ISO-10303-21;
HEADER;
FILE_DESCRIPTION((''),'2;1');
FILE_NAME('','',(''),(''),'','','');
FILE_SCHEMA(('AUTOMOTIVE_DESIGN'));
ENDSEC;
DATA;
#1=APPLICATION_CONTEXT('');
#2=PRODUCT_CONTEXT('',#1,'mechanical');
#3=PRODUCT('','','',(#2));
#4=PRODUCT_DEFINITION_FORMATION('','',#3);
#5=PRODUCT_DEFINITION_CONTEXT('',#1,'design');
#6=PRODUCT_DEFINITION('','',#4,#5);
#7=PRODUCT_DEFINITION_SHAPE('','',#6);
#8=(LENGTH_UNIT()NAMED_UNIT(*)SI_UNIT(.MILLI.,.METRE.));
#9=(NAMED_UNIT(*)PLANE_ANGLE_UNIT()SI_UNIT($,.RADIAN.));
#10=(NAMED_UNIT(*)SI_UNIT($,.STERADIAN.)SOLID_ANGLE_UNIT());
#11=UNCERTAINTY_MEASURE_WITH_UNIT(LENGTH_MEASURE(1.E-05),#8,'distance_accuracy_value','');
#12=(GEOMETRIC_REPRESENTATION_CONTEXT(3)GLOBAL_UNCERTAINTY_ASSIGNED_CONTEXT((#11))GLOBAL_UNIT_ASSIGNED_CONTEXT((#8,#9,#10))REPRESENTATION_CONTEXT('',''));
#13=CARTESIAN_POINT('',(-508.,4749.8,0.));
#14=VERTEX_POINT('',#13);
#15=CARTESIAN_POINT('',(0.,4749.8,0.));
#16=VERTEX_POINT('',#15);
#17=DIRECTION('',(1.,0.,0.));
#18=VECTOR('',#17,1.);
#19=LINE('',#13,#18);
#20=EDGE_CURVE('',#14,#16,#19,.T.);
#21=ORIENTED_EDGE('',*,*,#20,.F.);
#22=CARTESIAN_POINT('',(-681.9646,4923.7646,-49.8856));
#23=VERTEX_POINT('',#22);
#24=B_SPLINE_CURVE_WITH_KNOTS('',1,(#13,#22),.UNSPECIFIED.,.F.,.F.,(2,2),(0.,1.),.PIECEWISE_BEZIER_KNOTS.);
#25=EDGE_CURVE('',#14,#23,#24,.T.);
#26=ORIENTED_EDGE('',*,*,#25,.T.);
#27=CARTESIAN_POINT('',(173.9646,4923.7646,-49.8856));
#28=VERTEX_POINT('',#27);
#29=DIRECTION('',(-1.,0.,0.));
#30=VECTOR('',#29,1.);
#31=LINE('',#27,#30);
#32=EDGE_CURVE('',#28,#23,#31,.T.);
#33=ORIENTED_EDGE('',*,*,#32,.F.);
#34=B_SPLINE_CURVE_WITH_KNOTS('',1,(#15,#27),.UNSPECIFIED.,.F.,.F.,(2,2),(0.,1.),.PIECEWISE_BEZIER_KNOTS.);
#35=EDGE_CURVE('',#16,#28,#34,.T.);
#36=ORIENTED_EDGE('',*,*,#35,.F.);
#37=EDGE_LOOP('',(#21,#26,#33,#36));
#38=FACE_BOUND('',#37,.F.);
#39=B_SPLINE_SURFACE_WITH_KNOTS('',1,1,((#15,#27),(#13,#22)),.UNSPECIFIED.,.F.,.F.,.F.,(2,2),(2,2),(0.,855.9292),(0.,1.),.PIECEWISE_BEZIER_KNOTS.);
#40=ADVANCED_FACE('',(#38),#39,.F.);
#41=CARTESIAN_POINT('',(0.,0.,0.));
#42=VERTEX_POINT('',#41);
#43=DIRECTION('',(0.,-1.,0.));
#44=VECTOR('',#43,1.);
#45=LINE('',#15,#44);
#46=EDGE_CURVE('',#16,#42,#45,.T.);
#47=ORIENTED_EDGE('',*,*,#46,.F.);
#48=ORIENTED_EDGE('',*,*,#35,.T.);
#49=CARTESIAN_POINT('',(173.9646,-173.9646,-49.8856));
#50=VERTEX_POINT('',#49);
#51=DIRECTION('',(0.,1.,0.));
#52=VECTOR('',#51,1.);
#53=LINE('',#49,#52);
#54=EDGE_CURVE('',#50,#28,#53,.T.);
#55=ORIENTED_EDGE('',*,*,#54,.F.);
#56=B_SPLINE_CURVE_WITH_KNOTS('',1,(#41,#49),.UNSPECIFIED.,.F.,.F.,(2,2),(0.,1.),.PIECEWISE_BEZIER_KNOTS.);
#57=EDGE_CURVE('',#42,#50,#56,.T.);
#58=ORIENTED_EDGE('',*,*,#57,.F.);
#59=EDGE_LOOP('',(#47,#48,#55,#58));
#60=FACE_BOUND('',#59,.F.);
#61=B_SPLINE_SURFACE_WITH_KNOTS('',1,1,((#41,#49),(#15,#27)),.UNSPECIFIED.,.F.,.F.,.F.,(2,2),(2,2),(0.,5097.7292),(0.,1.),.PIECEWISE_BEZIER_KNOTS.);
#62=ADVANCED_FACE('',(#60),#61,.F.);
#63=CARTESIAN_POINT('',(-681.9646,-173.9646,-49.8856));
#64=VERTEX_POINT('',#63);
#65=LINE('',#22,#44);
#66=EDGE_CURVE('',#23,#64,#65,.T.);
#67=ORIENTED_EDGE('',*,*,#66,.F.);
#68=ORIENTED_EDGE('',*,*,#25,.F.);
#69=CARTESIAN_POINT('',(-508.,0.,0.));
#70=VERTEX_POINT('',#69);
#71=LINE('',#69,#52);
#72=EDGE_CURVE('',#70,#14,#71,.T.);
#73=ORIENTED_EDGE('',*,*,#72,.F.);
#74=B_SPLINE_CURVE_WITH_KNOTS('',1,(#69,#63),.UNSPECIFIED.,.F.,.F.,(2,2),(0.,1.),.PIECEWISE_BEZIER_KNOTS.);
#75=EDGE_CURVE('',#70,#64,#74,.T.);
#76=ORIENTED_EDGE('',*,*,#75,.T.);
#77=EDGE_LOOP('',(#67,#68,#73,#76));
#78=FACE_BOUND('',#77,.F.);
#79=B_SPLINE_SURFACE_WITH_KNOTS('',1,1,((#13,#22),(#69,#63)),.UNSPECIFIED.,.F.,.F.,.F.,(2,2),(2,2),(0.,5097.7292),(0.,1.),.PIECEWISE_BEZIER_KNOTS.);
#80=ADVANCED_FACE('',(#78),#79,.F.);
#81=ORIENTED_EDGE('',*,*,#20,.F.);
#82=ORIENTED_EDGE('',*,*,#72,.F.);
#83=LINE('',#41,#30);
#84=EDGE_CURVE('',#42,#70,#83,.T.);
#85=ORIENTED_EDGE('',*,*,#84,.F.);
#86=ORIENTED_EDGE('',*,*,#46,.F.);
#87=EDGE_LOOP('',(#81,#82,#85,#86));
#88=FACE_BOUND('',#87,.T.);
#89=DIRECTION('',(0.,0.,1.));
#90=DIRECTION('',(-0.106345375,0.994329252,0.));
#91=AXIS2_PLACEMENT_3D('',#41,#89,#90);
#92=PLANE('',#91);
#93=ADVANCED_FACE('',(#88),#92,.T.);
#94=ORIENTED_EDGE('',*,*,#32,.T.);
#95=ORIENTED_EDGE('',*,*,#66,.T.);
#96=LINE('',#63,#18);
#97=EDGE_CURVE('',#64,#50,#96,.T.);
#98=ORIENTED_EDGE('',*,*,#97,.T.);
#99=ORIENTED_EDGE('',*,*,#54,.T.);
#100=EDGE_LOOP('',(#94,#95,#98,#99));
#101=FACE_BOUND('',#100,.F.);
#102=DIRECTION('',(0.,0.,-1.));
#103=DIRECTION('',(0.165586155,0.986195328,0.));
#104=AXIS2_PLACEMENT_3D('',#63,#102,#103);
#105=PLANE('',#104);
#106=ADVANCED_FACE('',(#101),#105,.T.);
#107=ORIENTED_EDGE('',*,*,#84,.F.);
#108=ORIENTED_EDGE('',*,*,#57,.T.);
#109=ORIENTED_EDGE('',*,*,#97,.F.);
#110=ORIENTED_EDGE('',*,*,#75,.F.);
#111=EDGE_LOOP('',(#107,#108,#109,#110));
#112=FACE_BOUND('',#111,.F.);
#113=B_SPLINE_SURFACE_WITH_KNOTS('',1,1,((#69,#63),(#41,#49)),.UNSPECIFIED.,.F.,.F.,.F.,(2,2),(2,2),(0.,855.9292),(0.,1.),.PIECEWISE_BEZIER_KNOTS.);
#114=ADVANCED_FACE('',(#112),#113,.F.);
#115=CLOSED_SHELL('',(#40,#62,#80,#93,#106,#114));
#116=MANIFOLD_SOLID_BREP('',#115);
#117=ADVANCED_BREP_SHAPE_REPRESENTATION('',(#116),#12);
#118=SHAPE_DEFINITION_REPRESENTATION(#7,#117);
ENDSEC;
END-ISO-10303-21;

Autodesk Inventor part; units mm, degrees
ref_plane "YZ Plane" through (0, 0, 0) normal (1, 0, 0) x (0, 1, 0)
sketch "Sketch1" plane through (0, 0, 0) normal (0, 0, 1) x (1, 0, 0)
  line L0 (0, 0) -> (-508, 0)
  line L1 (-508, 0) -> (-508, 4749.8)
  line L2 (-508, 4749.8) -> (0, 4749.8)
  line L3 (0, 4749.8) -> (0, 0)
  line L4 (0, 0) -> (-508, 0) construction
  dimension "width" = 508
  dimension "length" = 4749.8
  dimension "d2" = 508
  dimension "d3" = 508
ref_plane "Work Plane2" through (0, 4749.8, -49.8856) normal (0, 0, -1) x (0, -1, 0)
ref_plane "Work Plane1" through (0, 4749.8, 0) normal (0, 0, -1) x (0, -1, 0)
sketch "Sketch2" plane through (0, 4749.8, 0) normal (0, 0, -1) x (0, -1, 0)
  line L0 (4749.8, 0) -> (4749.8, 508) projected
  line L1 (0, 0) -> (4749.8, 0) projected
  line L2 (0, 508) -> (0, 0) projected
sketch "Sketch3" plane through (0, 4749.8, -49.8856) normal (0, 0, -1) x (0, -1, 0)
  line L0 (4749.8, 0) -> (4749.8, 508) projected
  line L1 (0, 0) -> (4749.8, 0) projected
  line L2 (4749.8, 508) -> (0, 508) projected
  line L3 (0, 508) -> (0, 0) projected
  line L4 (-10.9008, 518.9008) -> (4760.7008, 518.9008)
  line L5 (4760.7008, 518.9008) -> (4760.7008, -10.9008)
  line L6 (4760.7008, -10.9008) -> (-10.9008, -10.9008)
  line L7 (-10.9008, -10.9008) -> (-10.9008, 518.9008)
  line L8 (-173.9646, 681.9646) -> (4923.7646, 681.9646)
  line L9 (4923.7646, 681.9646) -> (4923.7646, -173.9646)
  line L10 (4923.7646, -173.9646) -> (-173.9646, -173.9646)
  line L11 (-173.9646, -173.9646) -> (-173.9646, 681.9646)
  dimension "d5" = 855.9292
  dimension "d6" = 5097.7292
loft "Loft1" add profiles "Sketch1", "Sketch3" contours all / L1 L3 L2 L0 | L4 L5 L6 L7 | L8 L9 L10 L11
ref_plane "Work Plane3" through (-254, -173.9646, 72.8363) normal (1, 0, 0) x (0, 1, 0)
properties part number "Scoring Platform"
